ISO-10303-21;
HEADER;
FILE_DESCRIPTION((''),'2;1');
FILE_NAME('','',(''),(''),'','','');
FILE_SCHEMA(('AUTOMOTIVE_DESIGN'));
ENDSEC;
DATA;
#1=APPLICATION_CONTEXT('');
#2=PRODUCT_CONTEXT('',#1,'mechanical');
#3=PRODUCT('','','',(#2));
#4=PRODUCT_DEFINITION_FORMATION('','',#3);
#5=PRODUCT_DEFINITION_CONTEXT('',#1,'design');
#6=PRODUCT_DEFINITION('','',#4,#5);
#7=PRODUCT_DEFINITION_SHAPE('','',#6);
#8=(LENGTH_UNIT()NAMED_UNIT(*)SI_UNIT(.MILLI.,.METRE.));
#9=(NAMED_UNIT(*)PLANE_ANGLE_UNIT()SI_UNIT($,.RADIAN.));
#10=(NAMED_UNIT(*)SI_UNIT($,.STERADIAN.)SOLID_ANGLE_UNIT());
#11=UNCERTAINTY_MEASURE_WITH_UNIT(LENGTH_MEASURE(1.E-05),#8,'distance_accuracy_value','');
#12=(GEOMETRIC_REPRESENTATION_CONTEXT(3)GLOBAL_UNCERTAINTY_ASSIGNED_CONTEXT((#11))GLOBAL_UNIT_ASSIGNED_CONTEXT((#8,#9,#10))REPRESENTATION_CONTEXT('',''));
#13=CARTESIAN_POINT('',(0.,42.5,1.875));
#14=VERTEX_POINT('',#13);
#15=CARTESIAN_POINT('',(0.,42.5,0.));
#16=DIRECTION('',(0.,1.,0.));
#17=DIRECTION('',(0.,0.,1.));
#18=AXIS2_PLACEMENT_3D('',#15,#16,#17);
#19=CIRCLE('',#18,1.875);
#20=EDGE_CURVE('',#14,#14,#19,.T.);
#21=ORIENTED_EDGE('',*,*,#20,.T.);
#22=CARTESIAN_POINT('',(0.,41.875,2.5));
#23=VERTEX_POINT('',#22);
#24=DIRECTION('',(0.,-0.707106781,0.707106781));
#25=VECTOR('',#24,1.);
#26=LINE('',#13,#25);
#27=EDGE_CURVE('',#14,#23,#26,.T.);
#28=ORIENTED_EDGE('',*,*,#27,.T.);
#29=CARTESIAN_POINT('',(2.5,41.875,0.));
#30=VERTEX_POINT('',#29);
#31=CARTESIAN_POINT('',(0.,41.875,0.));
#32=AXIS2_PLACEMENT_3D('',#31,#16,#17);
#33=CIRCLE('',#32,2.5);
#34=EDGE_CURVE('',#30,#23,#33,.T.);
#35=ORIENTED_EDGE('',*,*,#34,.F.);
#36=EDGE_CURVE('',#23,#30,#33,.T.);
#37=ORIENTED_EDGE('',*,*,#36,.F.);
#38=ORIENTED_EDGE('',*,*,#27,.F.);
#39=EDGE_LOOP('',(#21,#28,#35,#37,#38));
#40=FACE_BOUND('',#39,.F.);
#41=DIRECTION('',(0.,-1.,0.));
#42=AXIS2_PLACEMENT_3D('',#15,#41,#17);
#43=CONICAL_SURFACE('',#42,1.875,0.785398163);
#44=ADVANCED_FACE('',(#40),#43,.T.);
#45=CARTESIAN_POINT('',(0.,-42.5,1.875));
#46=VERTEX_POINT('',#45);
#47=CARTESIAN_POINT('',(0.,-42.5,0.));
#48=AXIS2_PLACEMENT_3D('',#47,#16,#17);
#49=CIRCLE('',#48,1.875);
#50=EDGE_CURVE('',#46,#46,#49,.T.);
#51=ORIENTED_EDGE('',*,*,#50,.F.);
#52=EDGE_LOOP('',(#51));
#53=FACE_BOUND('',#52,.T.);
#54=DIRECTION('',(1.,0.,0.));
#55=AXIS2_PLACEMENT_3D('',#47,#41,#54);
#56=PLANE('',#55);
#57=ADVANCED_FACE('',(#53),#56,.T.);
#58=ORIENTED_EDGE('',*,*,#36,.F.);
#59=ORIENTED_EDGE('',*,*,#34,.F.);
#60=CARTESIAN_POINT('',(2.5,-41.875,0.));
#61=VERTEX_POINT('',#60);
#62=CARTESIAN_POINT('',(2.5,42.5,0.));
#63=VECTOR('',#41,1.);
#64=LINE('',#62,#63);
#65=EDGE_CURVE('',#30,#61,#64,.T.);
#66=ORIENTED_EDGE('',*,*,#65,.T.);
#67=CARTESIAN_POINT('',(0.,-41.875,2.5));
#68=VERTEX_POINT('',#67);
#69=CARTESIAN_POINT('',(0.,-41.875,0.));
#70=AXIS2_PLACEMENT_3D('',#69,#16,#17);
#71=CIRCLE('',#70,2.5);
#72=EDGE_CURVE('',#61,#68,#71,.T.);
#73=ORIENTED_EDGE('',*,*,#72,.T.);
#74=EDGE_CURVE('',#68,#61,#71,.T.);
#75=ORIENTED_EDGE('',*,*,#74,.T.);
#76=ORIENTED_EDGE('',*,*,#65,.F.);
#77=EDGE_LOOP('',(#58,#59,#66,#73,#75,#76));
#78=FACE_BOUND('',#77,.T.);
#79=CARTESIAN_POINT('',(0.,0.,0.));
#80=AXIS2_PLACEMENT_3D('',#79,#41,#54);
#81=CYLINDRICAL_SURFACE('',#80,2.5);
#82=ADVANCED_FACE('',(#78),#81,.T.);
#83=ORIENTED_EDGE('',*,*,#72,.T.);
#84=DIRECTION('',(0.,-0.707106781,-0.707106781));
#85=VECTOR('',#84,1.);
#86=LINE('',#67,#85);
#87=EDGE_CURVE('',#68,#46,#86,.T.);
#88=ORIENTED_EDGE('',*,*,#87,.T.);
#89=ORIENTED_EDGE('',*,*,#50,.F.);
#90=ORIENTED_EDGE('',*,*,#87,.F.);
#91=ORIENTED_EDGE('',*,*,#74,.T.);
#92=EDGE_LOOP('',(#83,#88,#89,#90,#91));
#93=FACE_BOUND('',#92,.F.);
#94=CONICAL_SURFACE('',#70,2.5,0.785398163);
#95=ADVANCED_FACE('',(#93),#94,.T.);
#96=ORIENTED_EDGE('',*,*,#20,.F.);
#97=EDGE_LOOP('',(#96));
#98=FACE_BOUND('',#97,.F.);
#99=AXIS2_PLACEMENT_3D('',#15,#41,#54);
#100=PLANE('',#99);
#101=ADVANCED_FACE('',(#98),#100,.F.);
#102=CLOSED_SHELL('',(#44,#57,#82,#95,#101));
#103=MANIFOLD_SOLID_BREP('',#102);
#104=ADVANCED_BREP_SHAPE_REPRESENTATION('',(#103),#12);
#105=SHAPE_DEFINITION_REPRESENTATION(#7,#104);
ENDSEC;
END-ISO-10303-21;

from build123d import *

# Parameters (mm, degrees)
SKETCH_R  = 2.5
PAD_DEPTH = 42.5


with BuildPart() as part:
    # Sketch → Pad (new body, symmetric)
    with BuildSketch(Plane.XZ):
        Circle(SKETCH_R)
    extrude(amount=PAD_DEPTH, both=True)

    # Sketch001 → Groove (revolve, cut)
    with BuildSketch(Plane.YZ):
        Polygon((-42.5, 4.5), (42.5, 4.5), (42.5, 1.875), (41.875, 2.5), (-41.875, 2.5), (-42.5, 1.875), align=None)
    revolve(axis=Axis((0, 0, 0), (0, 1, 0)), mode=Mode.SUBTRACT)


solid = part.part
